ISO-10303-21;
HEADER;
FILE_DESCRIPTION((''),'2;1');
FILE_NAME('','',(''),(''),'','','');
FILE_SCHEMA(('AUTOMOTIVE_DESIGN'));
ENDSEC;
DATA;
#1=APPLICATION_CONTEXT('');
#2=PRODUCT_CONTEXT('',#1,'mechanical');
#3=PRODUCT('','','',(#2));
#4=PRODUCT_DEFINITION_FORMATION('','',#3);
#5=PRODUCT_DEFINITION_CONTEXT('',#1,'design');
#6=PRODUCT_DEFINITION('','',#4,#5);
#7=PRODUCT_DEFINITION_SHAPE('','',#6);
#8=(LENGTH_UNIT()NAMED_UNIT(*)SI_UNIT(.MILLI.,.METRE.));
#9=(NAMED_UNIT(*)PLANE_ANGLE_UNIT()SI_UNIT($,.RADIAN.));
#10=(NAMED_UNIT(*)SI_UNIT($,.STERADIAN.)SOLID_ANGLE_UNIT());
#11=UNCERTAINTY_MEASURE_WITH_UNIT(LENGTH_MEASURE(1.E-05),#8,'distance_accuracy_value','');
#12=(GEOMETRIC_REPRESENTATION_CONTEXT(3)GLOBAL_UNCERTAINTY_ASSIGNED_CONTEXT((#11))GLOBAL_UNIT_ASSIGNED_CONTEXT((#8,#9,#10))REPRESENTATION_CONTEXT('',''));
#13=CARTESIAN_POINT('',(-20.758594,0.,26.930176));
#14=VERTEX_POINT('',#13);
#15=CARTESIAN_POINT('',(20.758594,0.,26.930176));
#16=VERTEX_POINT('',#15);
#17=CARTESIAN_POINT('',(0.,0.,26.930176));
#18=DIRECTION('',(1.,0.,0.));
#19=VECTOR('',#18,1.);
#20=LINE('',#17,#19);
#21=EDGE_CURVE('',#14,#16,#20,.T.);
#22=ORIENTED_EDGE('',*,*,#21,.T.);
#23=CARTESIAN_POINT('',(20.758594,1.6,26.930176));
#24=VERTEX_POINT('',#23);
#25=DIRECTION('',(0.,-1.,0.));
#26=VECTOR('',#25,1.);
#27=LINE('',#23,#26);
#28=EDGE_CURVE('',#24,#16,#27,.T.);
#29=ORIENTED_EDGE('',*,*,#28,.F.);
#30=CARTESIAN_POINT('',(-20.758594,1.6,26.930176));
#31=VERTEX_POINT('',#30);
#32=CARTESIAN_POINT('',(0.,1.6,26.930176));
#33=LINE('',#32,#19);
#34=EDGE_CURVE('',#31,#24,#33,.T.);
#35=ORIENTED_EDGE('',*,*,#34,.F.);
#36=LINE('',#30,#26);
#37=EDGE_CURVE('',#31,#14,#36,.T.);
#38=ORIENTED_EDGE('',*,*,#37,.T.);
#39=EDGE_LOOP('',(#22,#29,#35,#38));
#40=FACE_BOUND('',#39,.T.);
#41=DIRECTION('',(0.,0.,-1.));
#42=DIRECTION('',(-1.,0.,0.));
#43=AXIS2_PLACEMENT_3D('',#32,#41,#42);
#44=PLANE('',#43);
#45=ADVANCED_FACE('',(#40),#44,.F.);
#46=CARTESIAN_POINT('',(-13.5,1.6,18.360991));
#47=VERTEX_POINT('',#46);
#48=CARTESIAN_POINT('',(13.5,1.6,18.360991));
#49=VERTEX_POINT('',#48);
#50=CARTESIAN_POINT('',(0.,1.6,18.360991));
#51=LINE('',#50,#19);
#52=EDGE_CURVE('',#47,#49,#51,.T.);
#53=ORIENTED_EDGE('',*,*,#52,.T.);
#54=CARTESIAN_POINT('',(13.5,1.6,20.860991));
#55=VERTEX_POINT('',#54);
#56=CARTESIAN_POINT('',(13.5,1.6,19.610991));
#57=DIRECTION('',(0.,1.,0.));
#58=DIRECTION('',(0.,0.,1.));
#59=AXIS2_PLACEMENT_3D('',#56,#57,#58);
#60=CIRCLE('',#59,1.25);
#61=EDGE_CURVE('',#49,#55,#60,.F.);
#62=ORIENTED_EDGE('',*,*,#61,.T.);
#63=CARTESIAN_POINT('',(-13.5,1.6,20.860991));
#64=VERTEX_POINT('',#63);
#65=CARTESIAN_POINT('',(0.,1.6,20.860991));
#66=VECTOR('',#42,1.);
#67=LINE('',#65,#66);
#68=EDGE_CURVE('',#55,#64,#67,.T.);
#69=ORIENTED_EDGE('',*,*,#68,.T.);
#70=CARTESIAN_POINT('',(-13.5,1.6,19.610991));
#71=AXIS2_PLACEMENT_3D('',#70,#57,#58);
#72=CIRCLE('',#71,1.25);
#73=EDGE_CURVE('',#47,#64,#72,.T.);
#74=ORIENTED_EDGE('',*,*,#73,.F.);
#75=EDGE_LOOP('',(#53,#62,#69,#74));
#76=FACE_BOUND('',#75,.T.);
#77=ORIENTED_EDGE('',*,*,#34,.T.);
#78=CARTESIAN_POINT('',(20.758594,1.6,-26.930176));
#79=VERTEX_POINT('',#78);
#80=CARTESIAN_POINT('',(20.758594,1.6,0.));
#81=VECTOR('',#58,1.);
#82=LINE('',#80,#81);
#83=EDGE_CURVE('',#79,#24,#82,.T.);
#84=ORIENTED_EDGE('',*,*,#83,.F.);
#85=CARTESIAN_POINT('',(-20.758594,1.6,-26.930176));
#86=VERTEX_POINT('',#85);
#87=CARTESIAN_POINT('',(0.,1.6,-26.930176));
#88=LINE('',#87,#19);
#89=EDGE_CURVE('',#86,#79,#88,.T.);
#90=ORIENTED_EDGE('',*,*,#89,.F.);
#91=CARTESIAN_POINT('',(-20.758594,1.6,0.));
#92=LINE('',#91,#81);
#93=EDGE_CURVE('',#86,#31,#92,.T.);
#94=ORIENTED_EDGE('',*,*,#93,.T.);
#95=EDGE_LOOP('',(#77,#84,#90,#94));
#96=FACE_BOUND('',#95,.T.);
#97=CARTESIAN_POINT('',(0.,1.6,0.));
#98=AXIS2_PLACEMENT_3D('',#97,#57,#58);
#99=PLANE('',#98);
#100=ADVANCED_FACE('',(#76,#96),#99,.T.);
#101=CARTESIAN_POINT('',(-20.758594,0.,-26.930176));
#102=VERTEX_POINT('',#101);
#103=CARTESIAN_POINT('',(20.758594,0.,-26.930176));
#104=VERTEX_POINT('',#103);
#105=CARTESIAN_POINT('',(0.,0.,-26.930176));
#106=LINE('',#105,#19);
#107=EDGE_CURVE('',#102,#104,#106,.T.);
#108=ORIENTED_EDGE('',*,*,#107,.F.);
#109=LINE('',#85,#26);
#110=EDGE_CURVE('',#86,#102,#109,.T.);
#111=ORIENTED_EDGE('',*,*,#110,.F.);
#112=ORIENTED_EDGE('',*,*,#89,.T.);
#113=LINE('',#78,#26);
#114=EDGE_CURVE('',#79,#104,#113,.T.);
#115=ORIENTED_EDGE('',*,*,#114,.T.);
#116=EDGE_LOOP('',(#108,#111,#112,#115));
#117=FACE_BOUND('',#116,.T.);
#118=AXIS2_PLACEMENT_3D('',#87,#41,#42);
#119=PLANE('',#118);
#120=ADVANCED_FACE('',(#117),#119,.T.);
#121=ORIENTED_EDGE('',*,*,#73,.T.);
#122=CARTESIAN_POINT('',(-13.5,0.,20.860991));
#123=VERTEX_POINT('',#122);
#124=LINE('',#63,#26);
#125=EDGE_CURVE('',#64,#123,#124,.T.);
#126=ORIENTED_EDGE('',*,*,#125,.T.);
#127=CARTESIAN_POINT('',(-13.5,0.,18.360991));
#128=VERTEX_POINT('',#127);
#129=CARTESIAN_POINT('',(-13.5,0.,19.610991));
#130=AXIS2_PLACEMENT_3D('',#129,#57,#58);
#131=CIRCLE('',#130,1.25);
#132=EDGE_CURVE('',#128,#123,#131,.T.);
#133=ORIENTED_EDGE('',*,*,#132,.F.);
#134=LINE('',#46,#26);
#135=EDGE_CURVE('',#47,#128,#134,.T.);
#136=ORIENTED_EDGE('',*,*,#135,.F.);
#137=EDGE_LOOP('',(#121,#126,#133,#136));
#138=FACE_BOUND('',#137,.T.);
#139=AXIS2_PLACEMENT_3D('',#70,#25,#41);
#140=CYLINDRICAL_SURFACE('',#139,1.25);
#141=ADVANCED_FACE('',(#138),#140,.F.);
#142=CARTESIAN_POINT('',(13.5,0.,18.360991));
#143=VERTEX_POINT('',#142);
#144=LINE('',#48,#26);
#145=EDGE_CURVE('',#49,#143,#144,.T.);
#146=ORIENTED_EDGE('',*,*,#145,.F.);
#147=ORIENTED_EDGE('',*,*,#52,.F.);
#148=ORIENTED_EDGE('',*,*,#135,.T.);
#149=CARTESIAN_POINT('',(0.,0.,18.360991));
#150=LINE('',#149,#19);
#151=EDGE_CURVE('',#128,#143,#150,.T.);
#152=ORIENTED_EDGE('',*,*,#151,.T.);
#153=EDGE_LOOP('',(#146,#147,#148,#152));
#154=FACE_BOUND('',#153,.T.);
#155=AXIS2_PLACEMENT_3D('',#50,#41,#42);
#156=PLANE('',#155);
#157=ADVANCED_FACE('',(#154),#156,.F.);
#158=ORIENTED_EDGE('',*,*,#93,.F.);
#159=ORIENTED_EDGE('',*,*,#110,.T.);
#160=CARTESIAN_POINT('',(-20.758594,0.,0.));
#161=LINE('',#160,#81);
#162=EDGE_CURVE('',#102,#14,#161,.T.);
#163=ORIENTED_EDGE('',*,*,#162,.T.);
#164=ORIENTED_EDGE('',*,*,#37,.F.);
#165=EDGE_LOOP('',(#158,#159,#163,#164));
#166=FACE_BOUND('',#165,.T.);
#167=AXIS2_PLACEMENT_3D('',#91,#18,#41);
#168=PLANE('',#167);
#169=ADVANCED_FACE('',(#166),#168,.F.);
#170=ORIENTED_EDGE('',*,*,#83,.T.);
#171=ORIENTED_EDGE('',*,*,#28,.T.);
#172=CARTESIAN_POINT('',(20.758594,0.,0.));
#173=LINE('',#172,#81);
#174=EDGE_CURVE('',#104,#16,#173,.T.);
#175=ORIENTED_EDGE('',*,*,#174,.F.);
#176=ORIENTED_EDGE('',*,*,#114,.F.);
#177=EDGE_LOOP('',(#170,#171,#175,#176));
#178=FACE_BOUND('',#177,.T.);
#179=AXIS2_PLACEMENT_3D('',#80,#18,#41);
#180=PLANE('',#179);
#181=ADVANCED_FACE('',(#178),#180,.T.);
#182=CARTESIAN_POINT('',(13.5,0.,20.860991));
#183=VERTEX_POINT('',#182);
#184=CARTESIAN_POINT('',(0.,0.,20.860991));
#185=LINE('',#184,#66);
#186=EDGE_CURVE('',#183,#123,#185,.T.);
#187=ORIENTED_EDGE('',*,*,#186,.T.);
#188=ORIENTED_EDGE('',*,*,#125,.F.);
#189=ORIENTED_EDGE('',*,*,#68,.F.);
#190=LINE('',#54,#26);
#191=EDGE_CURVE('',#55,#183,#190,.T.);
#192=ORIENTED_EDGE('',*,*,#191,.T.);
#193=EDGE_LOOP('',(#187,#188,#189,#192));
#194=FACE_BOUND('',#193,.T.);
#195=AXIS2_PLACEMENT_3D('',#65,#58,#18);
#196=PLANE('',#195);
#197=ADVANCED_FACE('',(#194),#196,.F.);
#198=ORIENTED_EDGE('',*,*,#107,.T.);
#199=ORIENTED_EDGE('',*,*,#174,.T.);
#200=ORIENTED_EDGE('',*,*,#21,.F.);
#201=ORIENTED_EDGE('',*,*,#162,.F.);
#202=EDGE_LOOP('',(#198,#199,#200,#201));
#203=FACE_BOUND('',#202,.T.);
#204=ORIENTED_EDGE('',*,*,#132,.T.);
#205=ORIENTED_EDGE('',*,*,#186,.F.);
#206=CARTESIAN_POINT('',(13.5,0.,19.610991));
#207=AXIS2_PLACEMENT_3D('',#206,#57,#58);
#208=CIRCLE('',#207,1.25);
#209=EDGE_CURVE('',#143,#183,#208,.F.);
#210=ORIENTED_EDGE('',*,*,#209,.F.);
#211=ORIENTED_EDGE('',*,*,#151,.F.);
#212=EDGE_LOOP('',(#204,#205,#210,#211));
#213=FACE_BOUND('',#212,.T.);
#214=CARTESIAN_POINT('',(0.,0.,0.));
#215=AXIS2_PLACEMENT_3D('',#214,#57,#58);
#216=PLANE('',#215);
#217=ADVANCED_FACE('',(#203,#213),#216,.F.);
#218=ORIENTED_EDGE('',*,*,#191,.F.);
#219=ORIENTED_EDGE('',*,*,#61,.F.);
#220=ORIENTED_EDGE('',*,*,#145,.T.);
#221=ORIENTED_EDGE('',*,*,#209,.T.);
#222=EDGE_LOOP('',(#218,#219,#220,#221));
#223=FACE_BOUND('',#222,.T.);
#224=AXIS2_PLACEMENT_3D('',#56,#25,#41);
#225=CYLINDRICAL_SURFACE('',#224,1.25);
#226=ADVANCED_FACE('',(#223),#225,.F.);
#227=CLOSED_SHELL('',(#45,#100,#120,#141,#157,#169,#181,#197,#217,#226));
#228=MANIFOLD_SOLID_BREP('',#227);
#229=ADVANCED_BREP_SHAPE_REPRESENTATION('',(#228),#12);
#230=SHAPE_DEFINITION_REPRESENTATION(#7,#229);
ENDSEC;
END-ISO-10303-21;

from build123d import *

# Parameters (mm, degrees)
SKIZZE1_W                       = 41.517188714
SKIZZE1_H                       = 53.860351018
AUFSATZ_LINEAR_AUSTRAGEN1_DEPTH = 1.6


with BuildPart() as part:
    # Skizze1 → Aufsatz-Linear austragen1 (new body)
    with BuildSketch(Plane(origin=(0, 0, 0), x_dir=(1, 0, 0), z_dir=(0, 1, 0))):
        Rectangle(SKIZZE1_W, SKIZZE1_H)
        with BuildLine():
            ThreePointArc((-13.5, -18.360991054), (-14.75, -19.610991054), (-13.5, -20.860991054))
            Line((-13.5, -20.860991054), (13.5, -20.860991054))
            ThreePointArc((13.5, -20.860991054), (14.75, -19.610991054), (13.5, -18.360991054))
            Line((13.5, -18.360991054), (-13.5, -18.360991054))
        make_face(mode=Mode.SUBTRACT)
    extrude(amount=AUFSATZ_LINEAR_AUSTRAGEN1_DEPTH)


solid = part.part
